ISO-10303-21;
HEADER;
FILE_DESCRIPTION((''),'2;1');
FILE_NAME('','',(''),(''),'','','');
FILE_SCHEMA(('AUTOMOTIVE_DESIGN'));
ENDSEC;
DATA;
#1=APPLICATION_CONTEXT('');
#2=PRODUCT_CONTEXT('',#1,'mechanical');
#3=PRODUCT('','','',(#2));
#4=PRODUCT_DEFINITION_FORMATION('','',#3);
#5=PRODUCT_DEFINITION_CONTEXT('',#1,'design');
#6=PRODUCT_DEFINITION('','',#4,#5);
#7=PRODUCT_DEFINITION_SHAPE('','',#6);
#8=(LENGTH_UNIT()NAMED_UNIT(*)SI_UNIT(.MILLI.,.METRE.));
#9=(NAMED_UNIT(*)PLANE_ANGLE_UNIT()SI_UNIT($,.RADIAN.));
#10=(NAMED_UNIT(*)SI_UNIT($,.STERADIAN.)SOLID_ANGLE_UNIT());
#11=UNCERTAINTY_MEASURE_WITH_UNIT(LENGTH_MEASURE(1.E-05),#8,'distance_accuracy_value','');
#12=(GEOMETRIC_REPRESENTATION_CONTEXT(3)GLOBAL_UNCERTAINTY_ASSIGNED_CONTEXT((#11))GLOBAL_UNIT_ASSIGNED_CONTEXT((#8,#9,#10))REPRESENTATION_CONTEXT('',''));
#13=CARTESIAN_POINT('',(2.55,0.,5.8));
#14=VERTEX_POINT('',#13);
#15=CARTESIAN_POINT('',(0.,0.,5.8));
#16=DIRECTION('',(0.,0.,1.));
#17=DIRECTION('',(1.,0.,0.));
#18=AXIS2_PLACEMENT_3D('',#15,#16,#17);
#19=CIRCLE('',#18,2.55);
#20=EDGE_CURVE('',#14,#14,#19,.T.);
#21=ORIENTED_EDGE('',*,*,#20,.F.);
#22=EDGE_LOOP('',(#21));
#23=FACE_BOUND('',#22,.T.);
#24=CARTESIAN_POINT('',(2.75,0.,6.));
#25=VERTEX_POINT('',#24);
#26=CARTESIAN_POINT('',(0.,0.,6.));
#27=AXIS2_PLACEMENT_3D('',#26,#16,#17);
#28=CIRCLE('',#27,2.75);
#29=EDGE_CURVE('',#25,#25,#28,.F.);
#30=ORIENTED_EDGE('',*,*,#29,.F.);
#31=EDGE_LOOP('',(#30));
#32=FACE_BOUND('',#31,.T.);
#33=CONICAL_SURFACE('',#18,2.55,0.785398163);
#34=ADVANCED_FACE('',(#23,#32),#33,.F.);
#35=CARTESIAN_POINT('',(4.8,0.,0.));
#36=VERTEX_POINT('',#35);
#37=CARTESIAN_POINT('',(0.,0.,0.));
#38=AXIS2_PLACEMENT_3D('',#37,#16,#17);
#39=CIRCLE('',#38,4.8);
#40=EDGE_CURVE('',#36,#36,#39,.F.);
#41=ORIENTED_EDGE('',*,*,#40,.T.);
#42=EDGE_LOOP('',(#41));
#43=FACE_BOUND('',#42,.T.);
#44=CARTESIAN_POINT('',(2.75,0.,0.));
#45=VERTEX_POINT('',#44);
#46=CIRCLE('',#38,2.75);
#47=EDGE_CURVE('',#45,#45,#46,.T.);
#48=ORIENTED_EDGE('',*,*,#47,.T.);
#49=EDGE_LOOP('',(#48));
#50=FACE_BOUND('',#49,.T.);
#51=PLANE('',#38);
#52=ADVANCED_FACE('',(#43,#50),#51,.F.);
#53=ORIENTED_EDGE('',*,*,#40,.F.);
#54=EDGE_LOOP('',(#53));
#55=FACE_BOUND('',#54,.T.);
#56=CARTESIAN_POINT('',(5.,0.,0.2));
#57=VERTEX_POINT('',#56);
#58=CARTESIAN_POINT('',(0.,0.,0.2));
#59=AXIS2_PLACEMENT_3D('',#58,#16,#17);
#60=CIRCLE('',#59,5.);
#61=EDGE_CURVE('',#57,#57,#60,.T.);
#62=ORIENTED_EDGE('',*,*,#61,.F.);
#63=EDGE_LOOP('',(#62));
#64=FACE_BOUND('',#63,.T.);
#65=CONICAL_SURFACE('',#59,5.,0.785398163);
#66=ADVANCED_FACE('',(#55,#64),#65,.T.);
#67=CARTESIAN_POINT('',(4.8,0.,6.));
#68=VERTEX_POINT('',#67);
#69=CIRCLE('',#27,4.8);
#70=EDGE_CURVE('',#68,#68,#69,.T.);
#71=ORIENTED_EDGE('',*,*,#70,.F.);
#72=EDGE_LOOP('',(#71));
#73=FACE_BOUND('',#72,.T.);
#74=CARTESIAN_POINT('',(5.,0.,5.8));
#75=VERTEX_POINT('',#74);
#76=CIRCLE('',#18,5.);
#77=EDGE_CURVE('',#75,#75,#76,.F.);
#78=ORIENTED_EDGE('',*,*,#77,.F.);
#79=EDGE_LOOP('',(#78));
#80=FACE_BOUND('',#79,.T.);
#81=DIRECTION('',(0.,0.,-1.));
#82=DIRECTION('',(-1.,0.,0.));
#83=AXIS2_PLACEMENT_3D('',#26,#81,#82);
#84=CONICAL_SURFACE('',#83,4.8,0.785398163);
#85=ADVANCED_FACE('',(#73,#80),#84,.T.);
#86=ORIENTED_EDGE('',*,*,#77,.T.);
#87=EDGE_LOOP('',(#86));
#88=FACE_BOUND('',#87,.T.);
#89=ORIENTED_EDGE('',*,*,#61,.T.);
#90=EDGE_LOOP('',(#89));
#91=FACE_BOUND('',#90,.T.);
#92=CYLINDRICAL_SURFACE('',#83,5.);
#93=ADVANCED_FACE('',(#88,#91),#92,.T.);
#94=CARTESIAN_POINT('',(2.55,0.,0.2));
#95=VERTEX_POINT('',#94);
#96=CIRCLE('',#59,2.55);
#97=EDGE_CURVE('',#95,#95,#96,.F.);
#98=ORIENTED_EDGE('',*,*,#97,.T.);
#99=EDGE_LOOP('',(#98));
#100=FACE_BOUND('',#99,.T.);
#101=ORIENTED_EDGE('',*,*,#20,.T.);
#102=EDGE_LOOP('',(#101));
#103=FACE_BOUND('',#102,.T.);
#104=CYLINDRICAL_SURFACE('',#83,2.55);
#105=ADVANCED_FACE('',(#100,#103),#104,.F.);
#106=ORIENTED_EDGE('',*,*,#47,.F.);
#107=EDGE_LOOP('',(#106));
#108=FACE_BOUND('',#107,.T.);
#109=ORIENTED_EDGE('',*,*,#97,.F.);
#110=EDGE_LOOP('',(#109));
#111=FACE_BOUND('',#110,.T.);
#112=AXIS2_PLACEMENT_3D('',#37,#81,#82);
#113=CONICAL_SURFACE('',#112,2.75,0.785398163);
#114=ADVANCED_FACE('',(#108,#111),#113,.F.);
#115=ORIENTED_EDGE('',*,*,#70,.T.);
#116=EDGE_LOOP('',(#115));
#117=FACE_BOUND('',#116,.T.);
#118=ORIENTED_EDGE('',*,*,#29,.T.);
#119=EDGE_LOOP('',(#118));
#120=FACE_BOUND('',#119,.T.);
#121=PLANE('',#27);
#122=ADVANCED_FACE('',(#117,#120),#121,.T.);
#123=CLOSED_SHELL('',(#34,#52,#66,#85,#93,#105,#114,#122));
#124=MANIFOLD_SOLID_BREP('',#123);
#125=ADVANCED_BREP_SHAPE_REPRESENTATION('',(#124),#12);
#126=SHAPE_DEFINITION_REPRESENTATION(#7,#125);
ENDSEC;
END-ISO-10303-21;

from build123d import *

# Parameters (mm, degrees)
SKETCH1_R           = 5
SKETCH1_R_2         = 2.55
BOSS_EXTRUDE1_DEPTH = 6
CHAMFER1_SIZE       = 0.2


with BuildPart() as part:
    # Sketch1 → Boss-Extrude1 (new body)
    with BuildSketch(Plane.XY):
        Circle(SKETCH1_R)
        Circle(SKETCH1_R_2, mode=Mode.SUBTRACT)
    extrude(amount=BOSS_EXTRUDE1_DEPTH)

    # Chamfer1
    chamfer1_edges = [part.edges().sort_by_distance(p)[0] for p in [
        (-5, 0, 0),
        (-5, 0, 6),
        (-2.55, 0, 0),
        (-2.55, 0, 6),
    ]]
    chamfer(chamfer1_edges, length=CHAMFER1_SIZE)


solid = part.part
